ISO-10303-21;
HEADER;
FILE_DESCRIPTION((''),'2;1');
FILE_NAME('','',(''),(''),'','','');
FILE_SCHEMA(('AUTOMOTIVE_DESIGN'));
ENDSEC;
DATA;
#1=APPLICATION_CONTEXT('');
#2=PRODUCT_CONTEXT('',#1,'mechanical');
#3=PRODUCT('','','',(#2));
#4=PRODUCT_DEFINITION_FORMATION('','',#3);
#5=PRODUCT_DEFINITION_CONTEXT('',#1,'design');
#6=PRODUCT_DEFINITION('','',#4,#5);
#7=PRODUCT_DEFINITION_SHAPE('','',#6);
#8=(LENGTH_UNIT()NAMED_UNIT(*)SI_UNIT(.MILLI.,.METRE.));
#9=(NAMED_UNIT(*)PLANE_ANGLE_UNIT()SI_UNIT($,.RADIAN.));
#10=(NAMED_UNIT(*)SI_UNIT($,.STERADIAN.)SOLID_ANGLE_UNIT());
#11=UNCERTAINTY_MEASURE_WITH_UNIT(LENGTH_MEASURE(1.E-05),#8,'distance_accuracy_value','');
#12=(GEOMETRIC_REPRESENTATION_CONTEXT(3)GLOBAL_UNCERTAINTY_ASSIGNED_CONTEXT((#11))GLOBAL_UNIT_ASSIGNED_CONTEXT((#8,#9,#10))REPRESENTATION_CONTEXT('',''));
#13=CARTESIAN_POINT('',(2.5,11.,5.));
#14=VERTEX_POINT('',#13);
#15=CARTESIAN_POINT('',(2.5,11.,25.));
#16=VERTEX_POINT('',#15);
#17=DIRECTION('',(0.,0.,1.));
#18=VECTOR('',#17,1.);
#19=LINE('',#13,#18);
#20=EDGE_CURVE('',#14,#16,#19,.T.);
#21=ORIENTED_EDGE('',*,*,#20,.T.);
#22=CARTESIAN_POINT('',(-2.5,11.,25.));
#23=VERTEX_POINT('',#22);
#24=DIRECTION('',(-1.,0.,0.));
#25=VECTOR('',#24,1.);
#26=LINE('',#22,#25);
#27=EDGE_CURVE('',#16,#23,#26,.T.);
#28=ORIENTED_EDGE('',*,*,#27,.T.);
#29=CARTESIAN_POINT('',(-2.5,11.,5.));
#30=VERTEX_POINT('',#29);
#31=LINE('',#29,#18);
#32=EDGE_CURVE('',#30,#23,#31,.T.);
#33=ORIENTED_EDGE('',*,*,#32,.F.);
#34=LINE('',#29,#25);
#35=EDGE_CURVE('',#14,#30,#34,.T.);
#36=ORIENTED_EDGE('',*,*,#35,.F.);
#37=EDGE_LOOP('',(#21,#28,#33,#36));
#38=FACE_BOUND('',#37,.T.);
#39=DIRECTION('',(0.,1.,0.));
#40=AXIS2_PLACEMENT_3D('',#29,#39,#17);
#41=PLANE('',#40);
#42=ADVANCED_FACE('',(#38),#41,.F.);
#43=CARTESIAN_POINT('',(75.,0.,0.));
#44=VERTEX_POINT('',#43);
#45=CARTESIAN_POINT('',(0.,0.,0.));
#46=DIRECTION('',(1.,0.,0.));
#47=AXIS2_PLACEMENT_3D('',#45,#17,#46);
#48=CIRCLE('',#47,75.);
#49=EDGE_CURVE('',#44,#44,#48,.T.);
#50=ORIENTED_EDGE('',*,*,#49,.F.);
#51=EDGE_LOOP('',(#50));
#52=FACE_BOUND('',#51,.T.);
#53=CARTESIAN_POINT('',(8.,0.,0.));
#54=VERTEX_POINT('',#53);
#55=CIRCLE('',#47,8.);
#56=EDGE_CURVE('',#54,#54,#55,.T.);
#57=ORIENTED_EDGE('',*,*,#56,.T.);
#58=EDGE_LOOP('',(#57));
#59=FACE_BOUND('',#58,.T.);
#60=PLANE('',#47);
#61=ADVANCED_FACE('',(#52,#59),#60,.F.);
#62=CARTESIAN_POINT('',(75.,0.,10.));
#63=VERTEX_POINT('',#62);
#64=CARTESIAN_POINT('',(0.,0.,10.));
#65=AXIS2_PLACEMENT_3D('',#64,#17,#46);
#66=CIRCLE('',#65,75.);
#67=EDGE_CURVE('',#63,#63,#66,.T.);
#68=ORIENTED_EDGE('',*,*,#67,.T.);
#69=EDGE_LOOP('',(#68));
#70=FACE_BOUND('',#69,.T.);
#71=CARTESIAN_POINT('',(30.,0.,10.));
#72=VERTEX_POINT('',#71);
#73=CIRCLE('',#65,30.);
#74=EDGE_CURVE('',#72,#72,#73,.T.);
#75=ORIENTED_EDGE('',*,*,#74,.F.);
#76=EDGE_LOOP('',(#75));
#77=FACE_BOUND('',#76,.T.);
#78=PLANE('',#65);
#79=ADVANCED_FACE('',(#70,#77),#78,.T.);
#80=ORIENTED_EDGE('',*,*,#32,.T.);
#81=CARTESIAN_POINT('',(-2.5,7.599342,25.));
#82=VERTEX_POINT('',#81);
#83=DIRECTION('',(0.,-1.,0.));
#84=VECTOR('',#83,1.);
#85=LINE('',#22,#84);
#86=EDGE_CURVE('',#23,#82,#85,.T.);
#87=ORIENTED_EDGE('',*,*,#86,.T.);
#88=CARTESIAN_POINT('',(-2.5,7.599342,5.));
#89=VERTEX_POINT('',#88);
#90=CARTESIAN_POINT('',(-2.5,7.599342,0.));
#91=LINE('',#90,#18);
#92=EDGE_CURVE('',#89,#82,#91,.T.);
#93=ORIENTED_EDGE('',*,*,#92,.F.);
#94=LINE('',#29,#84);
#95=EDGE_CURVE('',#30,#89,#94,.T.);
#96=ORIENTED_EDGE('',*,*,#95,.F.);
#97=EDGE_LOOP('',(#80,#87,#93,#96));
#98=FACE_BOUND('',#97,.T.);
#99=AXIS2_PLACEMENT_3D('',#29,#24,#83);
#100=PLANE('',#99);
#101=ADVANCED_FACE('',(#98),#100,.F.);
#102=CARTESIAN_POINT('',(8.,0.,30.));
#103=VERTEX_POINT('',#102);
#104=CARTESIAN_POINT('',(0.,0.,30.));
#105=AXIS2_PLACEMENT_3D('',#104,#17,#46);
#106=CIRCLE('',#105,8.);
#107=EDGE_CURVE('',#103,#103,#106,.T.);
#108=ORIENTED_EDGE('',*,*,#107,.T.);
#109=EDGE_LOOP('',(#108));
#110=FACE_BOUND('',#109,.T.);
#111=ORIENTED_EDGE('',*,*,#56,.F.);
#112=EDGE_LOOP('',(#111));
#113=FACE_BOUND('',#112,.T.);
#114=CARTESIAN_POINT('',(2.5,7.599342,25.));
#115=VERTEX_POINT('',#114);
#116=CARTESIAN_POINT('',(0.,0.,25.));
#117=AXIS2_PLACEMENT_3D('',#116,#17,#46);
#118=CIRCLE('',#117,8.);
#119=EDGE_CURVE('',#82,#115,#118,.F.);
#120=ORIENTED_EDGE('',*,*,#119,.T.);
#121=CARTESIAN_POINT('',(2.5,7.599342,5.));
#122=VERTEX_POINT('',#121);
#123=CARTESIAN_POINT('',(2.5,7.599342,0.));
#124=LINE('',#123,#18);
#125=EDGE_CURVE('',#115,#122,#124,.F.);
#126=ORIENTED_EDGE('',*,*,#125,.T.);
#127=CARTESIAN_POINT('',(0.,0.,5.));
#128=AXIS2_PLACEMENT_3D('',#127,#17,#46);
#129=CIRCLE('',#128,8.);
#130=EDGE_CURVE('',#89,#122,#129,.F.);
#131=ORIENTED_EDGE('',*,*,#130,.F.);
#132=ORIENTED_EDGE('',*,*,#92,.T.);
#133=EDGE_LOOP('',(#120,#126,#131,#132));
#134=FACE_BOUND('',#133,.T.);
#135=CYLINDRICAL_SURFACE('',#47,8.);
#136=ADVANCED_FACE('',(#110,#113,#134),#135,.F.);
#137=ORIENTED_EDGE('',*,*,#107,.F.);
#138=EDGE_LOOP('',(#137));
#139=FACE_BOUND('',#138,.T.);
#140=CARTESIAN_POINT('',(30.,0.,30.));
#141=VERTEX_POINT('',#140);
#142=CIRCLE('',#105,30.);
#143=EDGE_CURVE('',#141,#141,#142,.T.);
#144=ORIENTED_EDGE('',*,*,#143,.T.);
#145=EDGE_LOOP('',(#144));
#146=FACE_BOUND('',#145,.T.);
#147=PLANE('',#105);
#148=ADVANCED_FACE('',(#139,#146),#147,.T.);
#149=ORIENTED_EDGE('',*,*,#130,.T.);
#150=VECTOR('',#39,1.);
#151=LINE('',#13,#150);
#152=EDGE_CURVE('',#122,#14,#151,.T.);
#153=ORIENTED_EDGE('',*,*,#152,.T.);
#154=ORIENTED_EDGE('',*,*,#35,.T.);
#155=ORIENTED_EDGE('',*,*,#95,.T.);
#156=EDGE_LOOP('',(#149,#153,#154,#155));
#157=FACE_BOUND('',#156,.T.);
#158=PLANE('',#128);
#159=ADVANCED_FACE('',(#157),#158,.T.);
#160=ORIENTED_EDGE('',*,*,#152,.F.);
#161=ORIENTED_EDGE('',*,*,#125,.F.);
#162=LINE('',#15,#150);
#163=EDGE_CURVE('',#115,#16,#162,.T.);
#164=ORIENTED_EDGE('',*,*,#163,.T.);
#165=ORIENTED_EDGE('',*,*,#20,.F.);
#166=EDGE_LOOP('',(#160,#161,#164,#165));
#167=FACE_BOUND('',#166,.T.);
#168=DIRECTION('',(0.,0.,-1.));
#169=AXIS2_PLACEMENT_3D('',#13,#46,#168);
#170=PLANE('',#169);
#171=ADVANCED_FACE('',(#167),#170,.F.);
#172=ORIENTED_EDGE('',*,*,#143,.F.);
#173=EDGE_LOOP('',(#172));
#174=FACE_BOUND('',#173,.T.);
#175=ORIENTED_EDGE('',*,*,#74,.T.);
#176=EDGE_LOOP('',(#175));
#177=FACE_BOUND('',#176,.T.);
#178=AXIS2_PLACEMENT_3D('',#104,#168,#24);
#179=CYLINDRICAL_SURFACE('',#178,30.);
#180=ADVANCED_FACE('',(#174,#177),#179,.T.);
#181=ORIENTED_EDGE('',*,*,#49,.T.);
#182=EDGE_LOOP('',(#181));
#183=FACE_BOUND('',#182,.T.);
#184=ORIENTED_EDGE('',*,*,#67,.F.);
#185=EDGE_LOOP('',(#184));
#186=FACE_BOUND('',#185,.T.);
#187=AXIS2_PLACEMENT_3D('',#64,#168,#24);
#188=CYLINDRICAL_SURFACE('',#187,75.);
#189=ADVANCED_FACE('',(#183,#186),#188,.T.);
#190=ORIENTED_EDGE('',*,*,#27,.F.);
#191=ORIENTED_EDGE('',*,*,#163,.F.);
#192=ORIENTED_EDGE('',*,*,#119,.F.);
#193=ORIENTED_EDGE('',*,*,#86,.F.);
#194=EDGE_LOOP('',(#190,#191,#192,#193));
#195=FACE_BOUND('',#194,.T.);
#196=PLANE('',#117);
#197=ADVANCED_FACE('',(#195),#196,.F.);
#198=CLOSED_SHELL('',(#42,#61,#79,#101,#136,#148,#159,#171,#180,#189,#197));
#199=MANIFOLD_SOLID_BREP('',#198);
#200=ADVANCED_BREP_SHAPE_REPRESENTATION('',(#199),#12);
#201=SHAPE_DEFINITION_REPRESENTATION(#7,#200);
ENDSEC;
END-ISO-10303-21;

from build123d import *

# Parameters (mm, degrees)
SKETCH1_R           = 75
BOSS_EXTRUDE1_DEPTH = 10
SKETCH2_R           = 30
BOSS_EXTRUDE2_DEPTH = 20
SKETCH3_R           = 8
CUT_EXTRUDE1_DEPTH  = 111.227038425
CUT_EXTRUDE2_START  = -5
SKETCH4_W           = 5
SKETCH4_H           = 6
CUT_EXTRUDE2_DEPTH  = 20


with BuildPart() as part:
    # Sketch1 → Boss-Extrude1 (new body)
    with BuildSketch(Plane.XY):
        Circle(SKETCH1_R)
    extrude(amount=BOSS_EXTRUDE1_DEPTH)

    # Sketch2 → Boss-Extrude2 (add)
    with BuildSketch(Plane.XY.offset(10)):
        Circle(SKETCH2_R)
    extrude(amount=BOSS_EXTRUDE2_DEPTH)

    # Sketch3 → Cut-Extrude1 (cut, through all)
    with BuildSketch(Plane.XY.offset(30)):
        Circle(SKETCH3_R)
    extrude(amount=-CUT_EXTRUDE1_DEPTH, mode=Mode.SUBTRACT)

    # Sketch4 → Cut-Extrude2 (cut)
    with BuildSketch(Plane.XY.offset(30).offset(CUT_EXTRUDE2_START)):
        with Locations((0, 8)):
            Rectangle(SKETCH4_W, SKETCH4_H)
    extrude(amount=-CUT_EXTRUDE2_DEPTH, mode=Mode.SUBTRACT)


solid = part.part
